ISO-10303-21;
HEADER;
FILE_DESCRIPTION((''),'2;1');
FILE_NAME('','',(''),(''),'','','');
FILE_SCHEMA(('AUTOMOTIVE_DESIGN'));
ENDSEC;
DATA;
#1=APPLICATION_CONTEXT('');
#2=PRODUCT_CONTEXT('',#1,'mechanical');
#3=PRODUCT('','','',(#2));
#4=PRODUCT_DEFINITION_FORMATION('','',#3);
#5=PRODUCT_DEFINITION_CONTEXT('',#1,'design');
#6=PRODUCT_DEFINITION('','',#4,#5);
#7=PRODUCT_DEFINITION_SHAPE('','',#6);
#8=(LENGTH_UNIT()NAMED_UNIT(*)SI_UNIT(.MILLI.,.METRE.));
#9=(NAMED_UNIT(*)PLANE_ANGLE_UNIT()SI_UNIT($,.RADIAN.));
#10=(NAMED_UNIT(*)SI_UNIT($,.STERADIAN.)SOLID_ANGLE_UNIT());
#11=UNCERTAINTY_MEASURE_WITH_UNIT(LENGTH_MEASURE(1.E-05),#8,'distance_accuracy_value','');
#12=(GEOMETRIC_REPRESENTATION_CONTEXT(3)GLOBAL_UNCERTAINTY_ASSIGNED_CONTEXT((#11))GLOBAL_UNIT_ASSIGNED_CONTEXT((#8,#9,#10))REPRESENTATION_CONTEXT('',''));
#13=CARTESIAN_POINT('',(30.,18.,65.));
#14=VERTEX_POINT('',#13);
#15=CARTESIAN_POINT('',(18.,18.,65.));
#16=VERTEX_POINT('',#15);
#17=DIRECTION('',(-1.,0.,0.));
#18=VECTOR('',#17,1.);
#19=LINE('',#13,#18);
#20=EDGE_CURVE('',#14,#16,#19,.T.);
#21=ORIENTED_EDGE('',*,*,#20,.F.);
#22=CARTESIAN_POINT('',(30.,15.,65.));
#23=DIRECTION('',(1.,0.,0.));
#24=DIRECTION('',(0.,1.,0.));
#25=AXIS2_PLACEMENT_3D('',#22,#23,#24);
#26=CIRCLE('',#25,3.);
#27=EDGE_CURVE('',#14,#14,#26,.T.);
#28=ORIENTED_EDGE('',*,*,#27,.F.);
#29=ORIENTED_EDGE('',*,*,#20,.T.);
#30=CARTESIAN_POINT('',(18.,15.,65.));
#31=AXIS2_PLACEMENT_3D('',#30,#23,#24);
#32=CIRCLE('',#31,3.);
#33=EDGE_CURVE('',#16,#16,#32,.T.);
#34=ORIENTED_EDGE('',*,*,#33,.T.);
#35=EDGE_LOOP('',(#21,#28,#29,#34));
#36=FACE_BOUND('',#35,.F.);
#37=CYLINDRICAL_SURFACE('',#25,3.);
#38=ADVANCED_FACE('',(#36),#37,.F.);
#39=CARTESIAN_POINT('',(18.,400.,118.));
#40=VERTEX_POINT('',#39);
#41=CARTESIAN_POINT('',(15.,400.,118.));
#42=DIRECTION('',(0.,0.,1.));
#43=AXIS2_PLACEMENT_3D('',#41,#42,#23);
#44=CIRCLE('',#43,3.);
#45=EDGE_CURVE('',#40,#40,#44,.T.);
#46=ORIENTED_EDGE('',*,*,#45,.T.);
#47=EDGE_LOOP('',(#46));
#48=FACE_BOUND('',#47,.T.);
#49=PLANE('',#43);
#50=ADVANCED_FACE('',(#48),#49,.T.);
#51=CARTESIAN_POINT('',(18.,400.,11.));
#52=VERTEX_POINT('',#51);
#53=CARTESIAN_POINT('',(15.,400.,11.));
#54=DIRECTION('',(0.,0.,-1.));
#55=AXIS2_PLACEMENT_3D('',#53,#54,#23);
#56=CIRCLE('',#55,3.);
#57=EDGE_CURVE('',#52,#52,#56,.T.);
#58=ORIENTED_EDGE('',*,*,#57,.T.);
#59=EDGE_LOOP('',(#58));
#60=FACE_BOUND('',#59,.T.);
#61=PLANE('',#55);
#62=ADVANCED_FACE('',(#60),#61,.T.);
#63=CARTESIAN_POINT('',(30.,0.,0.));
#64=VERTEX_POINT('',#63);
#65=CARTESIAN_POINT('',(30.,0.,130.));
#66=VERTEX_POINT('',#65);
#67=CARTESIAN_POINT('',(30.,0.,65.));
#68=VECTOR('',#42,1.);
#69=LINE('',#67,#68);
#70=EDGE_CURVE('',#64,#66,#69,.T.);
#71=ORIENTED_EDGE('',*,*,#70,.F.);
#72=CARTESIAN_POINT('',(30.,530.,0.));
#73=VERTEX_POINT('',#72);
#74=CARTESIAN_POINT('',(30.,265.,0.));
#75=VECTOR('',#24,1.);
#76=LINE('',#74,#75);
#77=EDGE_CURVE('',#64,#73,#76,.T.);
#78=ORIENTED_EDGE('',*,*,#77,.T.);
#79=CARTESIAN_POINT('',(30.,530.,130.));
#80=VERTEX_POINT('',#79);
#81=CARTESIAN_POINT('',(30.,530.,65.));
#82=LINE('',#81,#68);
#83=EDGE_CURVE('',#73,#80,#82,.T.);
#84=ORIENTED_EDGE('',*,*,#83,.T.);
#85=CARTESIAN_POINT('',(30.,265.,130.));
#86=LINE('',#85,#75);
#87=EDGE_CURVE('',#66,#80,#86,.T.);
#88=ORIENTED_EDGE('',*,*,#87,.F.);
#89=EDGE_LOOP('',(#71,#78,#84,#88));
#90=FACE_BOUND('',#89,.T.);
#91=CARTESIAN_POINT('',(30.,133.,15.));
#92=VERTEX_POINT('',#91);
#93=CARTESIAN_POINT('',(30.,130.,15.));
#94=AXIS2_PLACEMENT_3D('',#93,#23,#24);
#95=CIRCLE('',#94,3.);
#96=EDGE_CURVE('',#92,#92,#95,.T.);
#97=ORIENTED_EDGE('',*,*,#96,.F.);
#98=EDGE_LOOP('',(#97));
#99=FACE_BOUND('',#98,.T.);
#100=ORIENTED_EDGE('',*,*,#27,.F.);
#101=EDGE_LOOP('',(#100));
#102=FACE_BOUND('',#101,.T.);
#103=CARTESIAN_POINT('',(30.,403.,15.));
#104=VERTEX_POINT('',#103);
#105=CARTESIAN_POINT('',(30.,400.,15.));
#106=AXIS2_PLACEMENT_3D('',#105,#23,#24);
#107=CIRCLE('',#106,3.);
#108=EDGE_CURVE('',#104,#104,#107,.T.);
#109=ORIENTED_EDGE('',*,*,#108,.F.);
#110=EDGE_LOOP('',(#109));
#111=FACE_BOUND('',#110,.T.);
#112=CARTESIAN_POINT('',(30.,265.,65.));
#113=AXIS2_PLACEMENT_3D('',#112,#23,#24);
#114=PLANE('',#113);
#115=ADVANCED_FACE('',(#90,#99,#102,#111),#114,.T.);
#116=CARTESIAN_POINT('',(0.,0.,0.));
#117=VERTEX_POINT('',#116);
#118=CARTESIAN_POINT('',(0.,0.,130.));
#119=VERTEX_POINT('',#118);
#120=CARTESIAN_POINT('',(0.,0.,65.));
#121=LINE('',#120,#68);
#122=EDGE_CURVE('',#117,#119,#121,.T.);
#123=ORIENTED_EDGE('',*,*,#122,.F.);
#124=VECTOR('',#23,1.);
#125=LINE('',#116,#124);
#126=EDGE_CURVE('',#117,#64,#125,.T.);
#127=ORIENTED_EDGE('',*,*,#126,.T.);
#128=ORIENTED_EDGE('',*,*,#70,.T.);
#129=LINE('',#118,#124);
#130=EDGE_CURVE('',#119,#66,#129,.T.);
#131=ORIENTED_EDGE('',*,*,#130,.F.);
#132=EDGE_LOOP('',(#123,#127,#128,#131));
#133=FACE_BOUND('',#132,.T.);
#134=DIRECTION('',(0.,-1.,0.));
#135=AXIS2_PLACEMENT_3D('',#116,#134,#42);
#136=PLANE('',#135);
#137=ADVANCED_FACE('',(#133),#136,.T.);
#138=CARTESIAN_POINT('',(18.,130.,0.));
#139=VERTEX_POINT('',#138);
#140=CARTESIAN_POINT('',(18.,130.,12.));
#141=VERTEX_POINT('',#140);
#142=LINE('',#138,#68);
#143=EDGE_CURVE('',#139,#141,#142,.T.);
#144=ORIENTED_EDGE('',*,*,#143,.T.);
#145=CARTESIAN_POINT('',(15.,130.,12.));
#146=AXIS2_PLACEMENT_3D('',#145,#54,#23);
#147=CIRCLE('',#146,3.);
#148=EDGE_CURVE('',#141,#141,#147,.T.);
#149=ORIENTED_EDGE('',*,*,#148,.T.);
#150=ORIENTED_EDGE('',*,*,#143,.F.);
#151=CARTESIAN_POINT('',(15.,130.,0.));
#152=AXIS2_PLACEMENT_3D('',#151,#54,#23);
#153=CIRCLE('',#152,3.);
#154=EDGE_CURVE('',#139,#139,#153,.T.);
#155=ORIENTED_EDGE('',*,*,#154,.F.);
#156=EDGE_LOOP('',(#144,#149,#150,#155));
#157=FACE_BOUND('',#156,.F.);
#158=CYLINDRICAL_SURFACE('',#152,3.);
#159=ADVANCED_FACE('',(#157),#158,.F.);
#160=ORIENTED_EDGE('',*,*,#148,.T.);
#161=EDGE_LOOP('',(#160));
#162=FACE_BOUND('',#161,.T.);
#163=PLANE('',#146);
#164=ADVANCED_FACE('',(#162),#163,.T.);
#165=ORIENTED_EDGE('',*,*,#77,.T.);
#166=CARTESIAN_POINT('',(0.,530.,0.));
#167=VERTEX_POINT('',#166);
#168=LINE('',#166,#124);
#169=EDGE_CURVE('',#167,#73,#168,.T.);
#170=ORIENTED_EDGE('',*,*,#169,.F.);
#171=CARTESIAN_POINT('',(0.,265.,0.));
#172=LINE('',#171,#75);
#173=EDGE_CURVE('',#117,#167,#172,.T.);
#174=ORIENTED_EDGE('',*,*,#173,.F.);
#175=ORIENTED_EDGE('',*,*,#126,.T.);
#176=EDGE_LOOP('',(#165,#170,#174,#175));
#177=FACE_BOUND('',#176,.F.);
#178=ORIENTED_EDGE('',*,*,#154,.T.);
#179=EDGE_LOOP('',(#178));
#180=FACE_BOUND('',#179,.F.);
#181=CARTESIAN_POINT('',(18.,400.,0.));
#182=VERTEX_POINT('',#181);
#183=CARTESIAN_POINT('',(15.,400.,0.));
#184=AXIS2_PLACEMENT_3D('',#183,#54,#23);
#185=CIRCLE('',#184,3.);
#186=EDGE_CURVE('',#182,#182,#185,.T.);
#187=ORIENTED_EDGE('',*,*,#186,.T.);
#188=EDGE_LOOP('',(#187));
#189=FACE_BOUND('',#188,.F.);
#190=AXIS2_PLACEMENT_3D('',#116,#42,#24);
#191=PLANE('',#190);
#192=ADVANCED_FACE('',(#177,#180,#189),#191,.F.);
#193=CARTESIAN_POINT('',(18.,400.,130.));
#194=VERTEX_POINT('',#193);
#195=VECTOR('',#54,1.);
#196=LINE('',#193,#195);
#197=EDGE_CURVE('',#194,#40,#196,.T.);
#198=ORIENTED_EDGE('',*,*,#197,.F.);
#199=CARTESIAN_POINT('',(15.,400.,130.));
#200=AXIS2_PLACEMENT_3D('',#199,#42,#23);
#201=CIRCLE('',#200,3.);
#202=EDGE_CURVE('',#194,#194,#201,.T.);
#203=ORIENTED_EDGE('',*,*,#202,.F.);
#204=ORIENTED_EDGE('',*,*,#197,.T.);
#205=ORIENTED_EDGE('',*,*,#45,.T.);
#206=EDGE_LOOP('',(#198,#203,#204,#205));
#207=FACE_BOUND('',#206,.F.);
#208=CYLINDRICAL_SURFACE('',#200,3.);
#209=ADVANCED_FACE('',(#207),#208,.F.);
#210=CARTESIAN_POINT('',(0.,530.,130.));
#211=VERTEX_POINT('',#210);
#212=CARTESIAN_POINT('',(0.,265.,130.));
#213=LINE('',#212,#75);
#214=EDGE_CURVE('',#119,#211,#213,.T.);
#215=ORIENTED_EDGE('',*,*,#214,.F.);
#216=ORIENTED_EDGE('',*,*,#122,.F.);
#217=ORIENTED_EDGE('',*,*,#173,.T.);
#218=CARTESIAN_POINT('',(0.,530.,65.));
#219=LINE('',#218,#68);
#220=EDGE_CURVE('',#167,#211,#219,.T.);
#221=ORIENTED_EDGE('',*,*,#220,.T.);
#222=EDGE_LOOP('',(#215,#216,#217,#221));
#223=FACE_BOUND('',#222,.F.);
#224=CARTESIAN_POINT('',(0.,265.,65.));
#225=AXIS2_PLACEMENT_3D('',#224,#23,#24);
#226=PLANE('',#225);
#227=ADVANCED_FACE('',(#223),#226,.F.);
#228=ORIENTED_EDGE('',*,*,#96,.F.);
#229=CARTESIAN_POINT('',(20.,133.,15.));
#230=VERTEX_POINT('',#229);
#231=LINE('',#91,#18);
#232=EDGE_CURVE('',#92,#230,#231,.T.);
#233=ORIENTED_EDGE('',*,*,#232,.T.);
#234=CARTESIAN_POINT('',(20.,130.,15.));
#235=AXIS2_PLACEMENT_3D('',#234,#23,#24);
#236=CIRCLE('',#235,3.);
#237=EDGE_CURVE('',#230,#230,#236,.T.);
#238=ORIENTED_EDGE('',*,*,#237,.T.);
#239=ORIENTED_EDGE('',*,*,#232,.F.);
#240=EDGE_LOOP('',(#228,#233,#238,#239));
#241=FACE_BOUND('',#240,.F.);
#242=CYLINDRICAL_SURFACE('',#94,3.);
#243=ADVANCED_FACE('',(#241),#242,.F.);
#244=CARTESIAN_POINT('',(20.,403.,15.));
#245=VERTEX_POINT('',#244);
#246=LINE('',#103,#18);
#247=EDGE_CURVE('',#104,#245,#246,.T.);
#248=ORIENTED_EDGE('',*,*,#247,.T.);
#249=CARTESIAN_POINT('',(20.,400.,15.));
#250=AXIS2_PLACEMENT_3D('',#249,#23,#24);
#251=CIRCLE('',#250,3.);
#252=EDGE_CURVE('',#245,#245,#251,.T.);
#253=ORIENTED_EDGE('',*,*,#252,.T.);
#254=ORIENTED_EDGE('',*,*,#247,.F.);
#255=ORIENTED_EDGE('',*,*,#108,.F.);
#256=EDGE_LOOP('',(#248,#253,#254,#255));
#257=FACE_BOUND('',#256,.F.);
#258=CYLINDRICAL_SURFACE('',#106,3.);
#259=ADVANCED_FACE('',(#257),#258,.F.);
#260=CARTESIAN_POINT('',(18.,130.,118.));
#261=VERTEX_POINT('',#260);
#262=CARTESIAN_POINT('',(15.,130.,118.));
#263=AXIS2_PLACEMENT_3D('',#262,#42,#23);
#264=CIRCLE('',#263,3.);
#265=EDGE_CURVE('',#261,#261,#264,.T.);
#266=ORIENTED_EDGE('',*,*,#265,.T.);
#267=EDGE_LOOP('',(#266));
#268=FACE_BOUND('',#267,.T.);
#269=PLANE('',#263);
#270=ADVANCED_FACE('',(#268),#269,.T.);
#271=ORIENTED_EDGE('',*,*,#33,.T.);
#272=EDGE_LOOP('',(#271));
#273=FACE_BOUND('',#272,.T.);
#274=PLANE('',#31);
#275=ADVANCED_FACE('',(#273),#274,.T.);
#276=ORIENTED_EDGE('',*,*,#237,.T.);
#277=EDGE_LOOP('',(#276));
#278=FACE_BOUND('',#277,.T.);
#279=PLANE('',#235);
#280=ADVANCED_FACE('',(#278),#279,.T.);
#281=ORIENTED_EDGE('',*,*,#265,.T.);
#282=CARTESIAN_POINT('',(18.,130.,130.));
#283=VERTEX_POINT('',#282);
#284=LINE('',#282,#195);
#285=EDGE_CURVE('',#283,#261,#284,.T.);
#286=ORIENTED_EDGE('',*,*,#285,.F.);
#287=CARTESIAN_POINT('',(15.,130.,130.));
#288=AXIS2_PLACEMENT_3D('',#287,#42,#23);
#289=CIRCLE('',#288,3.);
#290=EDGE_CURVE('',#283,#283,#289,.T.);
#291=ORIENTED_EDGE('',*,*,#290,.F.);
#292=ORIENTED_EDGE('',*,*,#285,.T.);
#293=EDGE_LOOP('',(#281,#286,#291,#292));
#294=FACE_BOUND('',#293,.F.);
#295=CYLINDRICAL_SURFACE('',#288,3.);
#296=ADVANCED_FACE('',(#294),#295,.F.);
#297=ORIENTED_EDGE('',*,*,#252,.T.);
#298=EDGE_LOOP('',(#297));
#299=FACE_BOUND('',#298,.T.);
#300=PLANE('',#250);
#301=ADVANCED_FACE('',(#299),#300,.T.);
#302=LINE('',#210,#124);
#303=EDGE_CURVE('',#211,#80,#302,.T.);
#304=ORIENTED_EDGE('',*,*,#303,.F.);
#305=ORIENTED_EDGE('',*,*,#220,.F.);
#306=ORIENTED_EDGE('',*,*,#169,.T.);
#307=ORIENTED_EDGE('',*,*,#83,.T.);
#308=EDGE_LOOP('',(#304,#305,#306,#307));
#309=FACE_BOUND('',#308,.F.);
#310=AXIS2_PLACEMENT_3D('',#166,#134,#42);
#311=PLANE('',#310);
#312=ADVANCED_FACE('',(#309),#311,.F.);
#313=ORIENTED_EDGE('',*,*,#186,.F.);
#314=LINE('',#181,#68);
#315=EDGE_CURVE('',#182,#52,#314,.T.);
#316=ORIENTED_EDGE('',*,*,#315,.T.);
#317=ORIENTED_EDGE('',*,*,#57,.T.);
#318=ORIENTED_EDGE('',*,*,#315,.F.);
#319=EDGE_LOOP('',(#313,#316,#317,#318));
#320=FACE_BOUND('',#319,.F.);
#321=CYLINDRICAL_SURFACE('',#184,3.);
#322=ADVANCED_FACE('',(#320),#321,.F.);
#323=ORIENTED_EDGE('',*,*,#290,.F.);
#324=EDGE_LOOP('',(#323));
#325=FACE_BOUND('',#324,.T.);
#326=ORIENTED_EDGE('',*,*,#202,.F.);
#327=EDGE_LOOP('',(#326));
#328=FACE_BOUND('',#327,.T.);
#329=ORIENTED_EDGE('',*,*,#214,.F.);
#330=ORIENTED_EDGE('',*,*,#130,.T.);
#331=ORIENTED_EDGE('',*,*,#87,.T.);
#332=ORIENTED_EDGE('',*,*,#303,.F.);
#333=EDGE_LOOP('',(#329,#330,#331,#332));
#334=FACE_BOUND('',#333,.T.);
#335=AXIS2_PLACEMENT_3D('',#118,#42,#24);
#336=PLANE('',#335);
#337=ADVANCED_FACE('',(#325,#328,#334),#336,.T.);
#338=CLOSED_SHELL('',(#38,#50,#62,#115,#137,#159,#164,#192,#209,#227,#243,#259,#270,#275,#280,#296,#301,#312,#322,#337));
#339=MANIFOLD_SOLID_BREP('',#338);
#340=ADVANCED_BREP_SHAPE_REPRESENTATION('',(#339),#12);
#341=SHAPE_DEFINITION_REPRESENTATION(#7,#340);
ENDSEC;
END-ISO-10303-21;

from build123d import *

# Parameters (mm, degrees)
F0_W      = 530
F0_H      = 130
F1_DEPTH  = 30
F2_R      = 3
F3_DEPTH  = 12
F4_R      = 3
F5_DEPTH  = 11
F6_R      = 3
F7_DEPTH  = 12
F8_R      = 3
F9_DEPTH  = 10
F10_R     = 3
F11_DEPTH = 12


with BuildPart() as f1:
    # F0 (on Right) → F1 (new body)
    with BuildSketch(Plane.YZ):
        with Locations((265, 65)):
            Rectangle(F0_W, F0_H)
    extrude(amount=F1_DEPTH)

    # F2 (on face) → F3 (cut)
    with BuildSketch(Plane(origin=(0, 0, 0), x_dir=(1, 0, 0), z_dir=(0, 0, -1))):
        with Locations((15, -130)):
            Circle(F2_R)
    extrude(amount=-F3_DEPTH, mode=Mode.SUBTRACT)

    # F4 (on face) → F5 (cut)
    with BuildSketch(Plane(origin=(0, 0, 0), x_dir=(1, 0, 0), z_dir=(0, 0, -1))):
        with Locations((15, -400)):
            Circle(F4_R)
    extrude(amount=-F5_DEPTH, mode=Mode.SUBTRACT)

    # F6 (on face) → F7 (cut)
    with BuildSketch(Plane.XY.offset(130)):
        with Locations((15, 130)):
            Circle(F6_R)
        with Locations((15, 400)):
            Circle(F6_R)
    extrude(amount=-F7_DEPTH, mode=Mode.SUBTRACT)

    # F8 (on face) → F9 (cut)
    with BuildSketch(Plane.YZ.offset(30)):
        with Locations((400, 15)):
            Circle(F8_R)
        with Locations((130, 15)):
            Circle(F8_R)
    extrude(amount=-F9_DEPTH, mode=Mode.SUBTRACT)

    # F10 (on face) → F11 (cut)
    with BuildSketch(Plane.YZ.offset(30)):
        with Locations((15, 65)):
            Circle(F10_R)
    extrude(amount=-F11_DEPTH, mode=Mode.SUBTRACT)


solid = f1.part
